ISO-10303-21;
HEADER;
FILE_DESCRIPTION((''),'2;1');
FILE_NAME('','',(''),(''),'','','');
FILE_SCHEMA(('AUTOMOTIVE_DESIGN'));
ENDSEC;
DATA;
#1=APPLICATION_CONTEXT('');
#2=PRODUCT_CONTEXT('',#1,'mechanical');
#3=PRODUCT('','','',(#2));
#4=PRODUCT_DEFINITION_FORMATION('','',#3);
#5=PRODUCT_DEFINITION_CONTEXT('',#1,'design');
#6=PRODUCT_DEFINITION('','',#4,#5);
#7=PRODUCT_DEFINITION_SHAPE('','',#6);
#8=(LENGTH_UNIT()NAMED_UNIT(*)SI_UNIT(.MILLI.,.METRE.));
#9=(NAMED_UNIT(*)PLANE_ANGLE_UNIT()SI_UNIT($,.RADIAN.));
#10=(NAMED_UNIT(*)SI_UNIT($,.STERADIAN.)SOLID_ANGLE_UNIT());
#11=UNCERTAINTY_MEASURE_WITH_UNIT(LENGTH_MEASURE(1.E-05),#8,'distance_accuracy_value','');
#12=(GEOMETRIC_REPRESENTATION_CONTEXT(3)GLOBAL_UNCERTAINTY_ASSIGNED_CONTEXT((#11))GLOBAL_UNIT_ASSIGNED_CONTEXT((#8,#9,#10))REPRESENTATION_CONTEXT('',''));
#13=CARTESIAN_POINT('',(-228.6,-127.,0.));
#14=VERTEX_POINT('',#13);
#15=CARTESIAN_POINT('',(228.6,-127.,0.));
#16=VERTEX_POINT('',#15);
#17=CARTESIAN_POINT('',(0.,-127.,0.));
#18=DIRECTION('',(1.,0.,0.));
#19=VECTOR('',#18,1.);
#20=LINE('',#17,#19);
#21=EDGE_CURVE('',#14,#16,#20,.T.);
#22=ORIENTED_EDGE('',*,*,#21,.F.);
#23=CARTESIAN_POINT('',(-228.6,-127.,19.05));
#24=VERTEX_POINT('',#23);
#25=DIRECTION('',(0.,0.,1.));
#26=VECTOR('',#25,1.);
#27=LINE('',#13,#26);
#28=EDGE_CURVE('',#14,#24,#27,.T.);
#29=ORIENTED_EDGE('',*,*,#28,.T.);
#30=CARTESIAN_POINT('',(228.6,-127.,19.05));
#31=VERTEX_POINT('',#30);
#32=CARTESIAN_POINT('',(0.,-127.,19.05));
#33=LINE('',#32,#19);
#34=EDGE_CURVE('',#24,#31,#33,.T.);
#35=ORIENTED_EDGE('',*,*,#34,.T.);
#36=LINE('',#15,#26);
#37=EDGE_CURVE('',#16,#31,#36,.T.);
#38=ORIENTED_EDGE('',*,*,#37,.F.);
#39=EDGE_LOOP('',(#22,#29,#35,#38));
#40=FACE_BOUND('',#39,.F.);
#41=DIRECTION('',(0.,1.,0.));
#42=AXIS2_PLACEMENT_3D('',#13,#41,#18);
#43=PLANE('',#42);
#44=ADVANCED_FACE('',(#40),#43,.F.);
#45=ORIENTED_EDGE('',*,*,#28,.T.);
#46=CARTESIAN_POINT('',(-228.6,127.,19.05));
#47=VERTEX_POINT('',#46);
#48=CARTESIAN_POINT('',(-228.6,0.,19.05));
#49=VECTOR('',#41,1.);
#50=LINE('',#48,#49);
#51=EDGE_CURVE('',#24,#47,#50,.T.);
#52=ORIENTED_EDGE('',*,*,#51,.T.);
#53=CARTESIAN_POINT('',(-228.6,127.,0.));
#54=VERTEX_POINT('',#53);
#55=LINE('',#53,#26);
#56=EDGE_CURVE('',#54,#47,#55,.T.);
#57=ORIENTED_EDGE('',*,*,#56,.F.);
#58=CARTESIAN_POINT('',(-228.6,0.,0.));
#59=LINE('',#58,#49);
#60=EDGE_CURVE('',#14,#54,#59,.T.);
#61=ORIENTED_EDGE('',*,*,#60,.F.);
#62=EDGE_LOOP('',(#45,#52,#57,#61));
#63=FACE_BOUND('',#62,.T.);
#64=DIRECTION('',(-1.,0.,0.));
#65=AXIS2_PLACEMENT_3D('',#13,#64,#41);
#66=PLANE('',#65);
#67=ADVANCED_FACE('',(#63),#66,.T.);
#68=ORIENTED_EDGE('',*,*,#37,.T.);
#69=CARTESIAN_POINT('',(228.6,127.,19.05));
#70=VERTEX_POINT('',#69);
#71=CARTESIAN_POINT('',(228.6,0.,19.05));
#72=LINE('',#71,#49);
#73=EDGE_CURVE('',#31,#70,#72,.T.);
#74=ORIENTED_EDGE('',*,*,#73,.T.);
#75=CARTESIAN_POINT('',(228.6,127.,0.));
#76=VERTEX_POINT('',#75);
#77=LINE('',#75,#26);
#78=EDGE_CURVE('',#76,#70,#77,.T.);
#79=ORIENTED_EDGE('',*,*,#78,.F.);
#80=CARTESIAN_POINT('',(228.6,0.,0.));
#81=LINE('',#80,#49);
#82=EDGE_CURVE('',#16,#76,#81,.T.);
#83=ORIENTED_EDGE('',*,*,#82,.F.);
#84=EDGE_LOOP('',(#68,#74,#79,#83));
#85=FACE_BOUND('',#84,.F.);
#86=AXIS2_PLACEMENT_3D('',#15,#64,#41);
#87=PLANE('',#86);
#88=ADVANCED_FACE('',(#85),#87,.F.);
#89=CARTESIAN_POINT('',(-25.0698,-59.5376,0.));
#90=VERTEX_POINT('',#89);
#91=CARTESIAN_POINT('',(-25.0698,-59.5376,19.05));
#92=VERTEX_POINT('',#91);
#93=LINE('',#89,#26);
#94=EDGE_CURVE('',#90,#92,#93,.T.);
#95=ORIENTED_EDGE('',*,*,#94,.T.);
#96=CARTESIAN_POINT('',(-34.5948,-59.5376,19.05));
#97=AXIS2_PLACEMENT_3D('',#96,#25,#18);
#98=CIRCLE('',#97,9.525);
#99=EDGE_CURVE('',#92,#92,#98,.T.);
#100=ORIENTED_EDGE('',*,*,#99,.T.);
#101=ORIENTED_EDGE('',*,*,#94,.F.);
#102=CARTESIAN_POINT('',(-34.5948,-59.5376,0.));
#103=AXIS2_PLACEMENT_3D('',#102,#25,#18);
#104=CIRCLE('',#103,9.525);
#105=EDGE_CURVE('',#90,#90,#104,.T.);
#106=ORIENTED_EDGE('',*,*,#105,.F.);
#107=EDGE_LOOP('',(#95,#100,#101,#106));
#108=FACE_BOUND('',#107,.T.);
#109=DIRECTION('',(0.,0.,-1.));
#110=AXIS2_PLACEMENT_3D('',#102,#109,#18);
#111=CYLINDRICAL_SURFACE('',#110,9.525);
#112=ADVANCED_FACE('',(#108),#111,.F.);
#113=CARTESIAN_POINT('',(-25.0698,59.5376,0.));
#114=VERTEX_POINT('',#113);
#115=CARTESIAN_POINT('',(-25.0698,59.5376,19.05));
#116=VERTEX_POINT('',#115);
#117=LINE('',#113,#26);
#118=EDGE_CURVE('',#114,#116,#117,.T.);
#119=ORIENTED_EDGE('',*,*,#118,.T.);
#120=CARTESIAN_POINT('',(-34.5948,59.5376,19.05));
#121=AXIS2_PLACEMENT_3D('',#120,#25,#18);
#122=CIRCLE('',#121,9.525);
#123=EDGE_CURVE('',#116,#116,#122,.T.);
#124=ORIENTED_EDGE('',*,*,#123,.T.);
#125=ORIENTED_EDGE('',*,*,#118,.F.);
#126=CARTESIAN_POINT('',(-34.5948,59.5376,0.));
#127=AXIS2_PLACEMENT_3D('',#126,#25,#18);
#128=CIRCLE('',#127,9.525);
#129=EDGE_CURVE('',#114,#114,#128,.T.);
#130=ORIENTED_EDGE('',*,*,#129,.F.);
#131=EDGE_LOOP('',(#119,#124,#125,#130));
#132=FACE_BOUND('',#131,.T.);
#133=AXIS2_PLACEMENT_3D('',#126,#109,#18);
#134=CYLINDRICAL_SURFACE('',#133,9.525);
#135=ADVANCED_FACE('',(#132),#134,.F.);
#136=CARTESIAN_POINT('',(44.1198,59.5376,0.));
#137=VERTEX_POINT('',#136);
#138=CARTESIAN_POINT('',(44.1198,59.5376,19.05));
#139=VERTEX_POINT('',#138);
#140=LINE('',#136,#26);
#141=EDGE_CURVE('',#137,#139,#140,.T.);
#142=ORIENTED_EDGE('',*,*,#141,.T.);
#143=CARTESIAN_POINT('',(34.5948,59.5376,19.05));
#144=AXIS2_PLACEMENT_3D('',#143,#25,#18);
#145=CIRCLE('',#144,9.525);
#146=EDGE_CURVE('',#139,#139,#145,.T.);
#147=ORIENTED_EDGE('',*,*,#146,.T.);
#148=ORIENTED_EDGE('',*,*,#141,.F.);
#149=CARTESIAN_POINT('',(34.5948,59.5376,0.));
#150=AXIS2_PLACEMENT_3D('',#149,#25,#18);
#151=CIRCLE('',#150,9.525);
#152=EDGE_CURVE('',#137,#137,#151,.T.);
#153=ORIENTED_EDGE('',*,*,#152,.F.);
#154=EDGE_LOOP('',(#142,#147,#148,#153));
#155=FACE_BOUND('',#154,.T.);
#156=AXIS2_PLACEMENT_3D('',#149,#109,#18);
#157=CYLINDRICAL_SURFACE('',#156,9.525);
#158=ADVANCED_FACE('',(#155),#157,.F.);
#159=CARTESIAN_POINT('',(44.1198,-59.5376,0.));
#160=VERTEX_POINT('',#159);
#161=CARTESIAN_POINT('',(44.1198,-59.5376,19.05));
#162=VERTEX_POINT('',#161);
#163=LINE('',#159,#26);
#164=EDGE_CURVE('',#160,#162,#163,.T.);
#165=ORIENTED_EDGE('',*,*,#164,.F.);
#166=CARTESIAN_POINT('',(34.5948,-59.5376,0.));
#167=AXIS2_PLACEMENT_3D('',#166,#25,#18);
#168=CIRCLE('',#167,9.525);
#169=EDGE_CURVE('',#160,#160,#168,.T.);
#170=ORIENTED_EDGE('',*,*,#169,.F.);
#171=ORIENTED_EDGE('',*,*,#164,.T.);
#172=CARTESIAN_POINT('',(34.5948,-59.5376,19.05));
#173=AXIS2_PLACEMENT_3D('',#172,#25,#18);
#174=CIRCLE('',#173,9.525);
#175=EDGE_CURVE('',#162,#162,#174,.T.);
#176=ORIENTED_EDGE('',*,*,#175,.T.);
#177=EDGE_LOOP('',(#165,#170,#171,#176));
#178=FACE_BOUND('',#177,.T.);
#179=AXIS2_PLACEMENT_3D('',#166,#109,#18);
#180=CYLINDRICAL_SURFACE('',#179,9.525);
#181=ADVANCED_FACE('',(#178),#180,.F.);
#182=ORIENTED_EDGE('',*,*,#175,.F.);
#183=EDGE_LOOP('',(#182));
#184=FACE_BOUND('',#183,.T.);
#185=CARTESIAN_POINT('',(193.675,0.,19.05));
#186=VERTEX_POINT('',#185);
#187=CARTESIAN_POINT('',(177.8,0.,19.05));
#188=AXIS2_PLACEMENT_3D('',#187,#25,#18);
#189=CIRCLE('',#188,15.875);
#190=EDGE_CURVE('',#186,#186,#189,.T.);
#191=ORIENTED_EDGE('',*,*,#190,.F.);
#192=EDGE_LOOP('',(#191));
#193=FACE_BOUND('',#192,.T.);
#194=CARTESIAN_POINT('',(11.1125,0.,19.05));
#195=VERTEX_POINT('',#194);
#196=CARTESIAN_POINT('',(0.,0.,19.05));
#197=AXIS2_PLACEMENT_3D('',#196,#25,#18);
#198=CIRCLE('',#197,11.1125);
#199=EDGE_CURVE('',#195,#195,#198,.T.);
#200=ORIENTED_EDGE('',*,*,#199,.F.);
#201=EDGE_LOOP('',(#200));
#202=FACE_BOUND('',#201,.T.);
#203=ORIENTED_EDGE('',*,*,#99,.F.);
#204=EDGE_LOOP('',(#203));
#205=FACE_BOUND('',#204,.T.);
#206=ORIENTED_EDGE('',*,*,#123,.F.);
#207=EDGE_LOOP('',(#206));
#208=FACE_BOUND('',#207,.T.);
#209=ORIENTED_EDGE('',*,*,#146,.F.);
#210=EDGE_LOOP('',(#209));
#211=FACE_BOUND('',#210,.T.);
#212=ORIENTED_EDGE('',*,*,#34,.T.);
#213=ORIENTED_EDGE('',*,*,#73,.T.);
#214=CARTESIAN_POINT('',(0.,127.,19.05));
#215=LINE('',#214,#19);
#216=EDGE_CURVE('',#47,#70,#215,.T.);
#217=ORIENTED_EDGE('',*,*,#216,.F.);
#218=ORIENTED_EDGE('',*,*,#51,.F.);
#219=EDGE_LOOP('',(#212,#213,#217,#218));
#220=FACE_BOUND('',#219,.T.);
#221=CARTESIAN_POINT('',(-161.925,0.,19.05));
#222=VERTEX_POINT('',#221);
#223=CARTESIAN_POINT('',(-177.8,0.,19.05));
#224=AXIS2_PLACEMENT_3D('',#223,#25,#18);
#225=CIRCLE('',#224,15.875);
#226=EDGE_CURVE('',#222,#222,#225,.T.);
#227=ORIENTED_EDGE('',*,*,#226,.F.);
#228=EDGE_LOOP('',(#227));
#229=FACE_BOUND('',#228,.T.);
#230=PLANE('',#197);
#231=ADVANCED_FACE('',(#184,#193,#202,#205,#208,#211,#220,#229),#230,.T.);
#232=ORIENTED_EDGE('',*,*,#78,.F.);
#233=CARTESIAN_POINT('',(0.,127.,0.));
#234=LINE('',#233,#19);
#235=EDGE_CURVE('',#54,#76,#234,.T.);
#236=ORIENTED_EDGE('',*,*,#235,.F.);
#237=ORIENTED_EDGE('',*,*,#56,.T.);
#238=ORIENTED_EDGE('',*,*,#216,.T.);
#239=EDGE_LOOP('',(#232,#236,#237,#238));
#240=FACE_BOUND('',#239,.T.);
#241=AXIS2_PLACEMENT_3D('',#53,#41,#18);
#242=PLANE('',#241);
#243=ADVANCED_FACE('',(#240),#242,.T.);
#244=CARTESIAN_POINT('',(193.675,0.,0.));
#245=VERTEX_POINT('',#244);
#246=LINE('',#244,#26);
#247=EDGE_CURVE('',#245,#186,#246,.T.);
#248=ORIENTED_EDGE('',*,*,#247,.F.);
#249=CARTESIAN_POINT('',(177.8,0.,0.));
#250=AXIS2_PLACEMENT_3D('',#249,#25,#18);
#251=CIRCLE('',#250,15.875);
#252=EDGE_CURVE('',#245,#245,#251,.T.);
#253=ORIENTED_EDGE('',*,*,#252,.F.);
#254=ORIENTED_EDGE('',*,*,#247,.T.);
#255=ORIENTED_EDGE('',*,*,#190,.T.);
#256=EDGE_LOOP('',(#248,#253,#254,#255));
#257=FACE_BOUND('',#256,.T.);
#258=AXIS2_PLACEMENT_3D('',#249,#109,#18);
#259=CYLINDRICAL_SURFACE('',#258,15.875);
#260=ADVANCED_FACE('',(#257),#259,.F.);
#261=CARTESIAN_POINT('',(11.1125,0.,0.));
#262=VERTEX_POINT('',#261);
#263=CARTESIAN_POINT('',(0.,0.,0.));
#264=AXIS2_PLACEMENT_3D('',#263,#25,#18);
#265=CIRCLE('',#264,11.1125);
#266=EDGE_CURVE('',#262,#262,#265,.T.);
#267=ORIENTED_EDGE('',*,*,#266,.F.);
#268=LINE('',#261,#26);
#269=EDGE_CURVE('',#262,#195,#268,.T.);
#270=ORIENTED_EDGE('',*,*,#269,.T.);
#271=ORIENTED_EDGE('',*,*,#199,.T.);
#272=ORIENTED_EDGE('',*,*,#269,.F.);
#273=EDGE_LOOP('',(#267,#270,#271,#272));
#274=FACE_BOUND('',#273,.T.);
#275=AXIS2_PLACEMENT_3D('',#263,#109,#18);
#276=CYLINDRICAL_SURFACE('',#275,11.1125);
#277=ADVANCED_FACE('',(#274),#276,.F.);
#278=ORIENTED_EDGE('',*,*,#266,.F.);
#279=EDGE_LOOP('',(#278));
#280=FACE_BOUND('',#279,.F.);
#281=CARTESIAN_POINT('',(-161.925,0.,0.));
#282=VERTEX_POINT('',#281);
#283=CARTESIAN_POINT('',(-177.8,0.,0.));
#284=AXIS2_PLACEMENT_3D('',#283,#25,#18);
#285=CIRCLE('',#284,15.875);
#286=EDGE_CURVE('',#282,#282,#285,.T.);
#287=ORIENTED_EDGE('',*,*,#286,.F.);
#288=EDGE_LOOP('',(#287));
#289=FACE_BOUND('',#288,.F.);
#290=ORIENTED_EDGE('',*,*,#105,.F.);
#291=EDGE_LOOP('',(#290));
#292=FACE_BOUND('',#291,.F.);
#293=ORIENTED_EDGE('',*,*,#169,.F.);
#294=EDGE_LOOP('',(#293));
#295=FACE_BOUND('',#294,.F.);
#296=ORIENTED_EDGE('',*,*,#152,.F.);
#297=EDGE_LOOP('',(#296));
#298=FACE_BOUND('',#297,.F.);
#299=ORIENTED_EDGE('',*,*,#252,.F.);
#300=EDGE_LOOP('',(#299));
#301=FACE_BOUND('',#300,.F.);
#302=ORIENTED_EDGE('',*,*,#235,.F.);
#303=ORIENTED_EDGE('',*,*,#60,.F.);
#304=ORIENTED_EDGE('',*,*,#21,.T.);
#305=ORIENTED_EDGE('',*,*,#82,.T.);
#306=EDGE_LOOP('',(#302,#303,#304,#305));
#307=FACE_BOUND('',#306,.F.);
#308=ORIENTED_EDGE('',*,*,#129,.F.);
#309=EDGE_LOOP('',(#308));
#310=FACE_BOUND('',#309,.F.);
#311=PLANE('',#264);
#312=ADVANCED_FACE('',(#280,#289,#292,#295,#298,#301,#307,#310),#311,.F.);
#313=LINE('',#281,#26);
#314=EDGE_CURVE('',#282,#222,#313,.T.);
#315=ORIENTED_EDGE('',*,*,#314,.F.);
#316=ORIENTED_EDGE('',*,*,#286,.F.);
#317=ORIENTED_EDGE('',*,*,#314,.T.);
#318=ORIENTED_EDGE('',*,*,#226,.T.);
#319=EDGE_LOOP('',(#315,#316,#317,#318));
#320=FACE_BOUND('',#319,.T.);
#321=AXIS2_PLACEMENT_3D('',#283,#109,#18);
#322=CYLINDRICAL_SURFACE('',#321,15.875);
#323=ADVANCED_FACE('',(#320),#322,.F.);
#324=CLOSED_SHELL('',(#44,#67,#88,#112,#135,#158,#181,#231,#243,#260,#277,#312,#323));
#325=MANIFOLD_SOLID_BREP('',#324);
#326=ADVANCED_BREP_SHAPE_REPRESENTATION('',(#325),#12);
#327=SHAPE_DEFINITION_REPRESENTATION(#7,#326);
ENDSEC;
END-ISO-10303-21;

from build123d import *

# Parameters (mm, degrees)
F0_W     = 457.2
F0_H     = 254
F0_R     = 9.525
F0_R_2   = 15.875
F0_R_3   = 11.1125
F1_DEPTH = 19.05


with BuildPart() as f1:
    # F0 (on Top) → F1 (new body)
    with BuildSketch(Plane.XY):
        Rectangle(F0_W, F0_H)
        with Locations((-34.5948, -59.5376)):
            Circle(F0_R, mode=Mode.SUBTRACT)
        with Locations((34.5948, -59.5376)):
            Circle(F0_R, mode=Mode.SUBTRACT)
        with Locations((-177.8, 0)):
            Circle(F0_R_2, mode=Mode.SUBTRACT)
        with Locations((-34.5948, 59.5376)):
            Circle(F0_R, mode=Mode.SUBTRACT)
        Circle(F0_R_3, mode=Mode.SUBTRACT)
        with Locations((34.5948, 59.5376)):
            Circle(F0_R, mode=Mode.SUBTRACT)
        with Locations((177.8, 0)):
            Circle(F0_R_2, mode=Mode.SUBTRACT)
    extrude(amount=F1_DEPTH)


solid = f1.part
